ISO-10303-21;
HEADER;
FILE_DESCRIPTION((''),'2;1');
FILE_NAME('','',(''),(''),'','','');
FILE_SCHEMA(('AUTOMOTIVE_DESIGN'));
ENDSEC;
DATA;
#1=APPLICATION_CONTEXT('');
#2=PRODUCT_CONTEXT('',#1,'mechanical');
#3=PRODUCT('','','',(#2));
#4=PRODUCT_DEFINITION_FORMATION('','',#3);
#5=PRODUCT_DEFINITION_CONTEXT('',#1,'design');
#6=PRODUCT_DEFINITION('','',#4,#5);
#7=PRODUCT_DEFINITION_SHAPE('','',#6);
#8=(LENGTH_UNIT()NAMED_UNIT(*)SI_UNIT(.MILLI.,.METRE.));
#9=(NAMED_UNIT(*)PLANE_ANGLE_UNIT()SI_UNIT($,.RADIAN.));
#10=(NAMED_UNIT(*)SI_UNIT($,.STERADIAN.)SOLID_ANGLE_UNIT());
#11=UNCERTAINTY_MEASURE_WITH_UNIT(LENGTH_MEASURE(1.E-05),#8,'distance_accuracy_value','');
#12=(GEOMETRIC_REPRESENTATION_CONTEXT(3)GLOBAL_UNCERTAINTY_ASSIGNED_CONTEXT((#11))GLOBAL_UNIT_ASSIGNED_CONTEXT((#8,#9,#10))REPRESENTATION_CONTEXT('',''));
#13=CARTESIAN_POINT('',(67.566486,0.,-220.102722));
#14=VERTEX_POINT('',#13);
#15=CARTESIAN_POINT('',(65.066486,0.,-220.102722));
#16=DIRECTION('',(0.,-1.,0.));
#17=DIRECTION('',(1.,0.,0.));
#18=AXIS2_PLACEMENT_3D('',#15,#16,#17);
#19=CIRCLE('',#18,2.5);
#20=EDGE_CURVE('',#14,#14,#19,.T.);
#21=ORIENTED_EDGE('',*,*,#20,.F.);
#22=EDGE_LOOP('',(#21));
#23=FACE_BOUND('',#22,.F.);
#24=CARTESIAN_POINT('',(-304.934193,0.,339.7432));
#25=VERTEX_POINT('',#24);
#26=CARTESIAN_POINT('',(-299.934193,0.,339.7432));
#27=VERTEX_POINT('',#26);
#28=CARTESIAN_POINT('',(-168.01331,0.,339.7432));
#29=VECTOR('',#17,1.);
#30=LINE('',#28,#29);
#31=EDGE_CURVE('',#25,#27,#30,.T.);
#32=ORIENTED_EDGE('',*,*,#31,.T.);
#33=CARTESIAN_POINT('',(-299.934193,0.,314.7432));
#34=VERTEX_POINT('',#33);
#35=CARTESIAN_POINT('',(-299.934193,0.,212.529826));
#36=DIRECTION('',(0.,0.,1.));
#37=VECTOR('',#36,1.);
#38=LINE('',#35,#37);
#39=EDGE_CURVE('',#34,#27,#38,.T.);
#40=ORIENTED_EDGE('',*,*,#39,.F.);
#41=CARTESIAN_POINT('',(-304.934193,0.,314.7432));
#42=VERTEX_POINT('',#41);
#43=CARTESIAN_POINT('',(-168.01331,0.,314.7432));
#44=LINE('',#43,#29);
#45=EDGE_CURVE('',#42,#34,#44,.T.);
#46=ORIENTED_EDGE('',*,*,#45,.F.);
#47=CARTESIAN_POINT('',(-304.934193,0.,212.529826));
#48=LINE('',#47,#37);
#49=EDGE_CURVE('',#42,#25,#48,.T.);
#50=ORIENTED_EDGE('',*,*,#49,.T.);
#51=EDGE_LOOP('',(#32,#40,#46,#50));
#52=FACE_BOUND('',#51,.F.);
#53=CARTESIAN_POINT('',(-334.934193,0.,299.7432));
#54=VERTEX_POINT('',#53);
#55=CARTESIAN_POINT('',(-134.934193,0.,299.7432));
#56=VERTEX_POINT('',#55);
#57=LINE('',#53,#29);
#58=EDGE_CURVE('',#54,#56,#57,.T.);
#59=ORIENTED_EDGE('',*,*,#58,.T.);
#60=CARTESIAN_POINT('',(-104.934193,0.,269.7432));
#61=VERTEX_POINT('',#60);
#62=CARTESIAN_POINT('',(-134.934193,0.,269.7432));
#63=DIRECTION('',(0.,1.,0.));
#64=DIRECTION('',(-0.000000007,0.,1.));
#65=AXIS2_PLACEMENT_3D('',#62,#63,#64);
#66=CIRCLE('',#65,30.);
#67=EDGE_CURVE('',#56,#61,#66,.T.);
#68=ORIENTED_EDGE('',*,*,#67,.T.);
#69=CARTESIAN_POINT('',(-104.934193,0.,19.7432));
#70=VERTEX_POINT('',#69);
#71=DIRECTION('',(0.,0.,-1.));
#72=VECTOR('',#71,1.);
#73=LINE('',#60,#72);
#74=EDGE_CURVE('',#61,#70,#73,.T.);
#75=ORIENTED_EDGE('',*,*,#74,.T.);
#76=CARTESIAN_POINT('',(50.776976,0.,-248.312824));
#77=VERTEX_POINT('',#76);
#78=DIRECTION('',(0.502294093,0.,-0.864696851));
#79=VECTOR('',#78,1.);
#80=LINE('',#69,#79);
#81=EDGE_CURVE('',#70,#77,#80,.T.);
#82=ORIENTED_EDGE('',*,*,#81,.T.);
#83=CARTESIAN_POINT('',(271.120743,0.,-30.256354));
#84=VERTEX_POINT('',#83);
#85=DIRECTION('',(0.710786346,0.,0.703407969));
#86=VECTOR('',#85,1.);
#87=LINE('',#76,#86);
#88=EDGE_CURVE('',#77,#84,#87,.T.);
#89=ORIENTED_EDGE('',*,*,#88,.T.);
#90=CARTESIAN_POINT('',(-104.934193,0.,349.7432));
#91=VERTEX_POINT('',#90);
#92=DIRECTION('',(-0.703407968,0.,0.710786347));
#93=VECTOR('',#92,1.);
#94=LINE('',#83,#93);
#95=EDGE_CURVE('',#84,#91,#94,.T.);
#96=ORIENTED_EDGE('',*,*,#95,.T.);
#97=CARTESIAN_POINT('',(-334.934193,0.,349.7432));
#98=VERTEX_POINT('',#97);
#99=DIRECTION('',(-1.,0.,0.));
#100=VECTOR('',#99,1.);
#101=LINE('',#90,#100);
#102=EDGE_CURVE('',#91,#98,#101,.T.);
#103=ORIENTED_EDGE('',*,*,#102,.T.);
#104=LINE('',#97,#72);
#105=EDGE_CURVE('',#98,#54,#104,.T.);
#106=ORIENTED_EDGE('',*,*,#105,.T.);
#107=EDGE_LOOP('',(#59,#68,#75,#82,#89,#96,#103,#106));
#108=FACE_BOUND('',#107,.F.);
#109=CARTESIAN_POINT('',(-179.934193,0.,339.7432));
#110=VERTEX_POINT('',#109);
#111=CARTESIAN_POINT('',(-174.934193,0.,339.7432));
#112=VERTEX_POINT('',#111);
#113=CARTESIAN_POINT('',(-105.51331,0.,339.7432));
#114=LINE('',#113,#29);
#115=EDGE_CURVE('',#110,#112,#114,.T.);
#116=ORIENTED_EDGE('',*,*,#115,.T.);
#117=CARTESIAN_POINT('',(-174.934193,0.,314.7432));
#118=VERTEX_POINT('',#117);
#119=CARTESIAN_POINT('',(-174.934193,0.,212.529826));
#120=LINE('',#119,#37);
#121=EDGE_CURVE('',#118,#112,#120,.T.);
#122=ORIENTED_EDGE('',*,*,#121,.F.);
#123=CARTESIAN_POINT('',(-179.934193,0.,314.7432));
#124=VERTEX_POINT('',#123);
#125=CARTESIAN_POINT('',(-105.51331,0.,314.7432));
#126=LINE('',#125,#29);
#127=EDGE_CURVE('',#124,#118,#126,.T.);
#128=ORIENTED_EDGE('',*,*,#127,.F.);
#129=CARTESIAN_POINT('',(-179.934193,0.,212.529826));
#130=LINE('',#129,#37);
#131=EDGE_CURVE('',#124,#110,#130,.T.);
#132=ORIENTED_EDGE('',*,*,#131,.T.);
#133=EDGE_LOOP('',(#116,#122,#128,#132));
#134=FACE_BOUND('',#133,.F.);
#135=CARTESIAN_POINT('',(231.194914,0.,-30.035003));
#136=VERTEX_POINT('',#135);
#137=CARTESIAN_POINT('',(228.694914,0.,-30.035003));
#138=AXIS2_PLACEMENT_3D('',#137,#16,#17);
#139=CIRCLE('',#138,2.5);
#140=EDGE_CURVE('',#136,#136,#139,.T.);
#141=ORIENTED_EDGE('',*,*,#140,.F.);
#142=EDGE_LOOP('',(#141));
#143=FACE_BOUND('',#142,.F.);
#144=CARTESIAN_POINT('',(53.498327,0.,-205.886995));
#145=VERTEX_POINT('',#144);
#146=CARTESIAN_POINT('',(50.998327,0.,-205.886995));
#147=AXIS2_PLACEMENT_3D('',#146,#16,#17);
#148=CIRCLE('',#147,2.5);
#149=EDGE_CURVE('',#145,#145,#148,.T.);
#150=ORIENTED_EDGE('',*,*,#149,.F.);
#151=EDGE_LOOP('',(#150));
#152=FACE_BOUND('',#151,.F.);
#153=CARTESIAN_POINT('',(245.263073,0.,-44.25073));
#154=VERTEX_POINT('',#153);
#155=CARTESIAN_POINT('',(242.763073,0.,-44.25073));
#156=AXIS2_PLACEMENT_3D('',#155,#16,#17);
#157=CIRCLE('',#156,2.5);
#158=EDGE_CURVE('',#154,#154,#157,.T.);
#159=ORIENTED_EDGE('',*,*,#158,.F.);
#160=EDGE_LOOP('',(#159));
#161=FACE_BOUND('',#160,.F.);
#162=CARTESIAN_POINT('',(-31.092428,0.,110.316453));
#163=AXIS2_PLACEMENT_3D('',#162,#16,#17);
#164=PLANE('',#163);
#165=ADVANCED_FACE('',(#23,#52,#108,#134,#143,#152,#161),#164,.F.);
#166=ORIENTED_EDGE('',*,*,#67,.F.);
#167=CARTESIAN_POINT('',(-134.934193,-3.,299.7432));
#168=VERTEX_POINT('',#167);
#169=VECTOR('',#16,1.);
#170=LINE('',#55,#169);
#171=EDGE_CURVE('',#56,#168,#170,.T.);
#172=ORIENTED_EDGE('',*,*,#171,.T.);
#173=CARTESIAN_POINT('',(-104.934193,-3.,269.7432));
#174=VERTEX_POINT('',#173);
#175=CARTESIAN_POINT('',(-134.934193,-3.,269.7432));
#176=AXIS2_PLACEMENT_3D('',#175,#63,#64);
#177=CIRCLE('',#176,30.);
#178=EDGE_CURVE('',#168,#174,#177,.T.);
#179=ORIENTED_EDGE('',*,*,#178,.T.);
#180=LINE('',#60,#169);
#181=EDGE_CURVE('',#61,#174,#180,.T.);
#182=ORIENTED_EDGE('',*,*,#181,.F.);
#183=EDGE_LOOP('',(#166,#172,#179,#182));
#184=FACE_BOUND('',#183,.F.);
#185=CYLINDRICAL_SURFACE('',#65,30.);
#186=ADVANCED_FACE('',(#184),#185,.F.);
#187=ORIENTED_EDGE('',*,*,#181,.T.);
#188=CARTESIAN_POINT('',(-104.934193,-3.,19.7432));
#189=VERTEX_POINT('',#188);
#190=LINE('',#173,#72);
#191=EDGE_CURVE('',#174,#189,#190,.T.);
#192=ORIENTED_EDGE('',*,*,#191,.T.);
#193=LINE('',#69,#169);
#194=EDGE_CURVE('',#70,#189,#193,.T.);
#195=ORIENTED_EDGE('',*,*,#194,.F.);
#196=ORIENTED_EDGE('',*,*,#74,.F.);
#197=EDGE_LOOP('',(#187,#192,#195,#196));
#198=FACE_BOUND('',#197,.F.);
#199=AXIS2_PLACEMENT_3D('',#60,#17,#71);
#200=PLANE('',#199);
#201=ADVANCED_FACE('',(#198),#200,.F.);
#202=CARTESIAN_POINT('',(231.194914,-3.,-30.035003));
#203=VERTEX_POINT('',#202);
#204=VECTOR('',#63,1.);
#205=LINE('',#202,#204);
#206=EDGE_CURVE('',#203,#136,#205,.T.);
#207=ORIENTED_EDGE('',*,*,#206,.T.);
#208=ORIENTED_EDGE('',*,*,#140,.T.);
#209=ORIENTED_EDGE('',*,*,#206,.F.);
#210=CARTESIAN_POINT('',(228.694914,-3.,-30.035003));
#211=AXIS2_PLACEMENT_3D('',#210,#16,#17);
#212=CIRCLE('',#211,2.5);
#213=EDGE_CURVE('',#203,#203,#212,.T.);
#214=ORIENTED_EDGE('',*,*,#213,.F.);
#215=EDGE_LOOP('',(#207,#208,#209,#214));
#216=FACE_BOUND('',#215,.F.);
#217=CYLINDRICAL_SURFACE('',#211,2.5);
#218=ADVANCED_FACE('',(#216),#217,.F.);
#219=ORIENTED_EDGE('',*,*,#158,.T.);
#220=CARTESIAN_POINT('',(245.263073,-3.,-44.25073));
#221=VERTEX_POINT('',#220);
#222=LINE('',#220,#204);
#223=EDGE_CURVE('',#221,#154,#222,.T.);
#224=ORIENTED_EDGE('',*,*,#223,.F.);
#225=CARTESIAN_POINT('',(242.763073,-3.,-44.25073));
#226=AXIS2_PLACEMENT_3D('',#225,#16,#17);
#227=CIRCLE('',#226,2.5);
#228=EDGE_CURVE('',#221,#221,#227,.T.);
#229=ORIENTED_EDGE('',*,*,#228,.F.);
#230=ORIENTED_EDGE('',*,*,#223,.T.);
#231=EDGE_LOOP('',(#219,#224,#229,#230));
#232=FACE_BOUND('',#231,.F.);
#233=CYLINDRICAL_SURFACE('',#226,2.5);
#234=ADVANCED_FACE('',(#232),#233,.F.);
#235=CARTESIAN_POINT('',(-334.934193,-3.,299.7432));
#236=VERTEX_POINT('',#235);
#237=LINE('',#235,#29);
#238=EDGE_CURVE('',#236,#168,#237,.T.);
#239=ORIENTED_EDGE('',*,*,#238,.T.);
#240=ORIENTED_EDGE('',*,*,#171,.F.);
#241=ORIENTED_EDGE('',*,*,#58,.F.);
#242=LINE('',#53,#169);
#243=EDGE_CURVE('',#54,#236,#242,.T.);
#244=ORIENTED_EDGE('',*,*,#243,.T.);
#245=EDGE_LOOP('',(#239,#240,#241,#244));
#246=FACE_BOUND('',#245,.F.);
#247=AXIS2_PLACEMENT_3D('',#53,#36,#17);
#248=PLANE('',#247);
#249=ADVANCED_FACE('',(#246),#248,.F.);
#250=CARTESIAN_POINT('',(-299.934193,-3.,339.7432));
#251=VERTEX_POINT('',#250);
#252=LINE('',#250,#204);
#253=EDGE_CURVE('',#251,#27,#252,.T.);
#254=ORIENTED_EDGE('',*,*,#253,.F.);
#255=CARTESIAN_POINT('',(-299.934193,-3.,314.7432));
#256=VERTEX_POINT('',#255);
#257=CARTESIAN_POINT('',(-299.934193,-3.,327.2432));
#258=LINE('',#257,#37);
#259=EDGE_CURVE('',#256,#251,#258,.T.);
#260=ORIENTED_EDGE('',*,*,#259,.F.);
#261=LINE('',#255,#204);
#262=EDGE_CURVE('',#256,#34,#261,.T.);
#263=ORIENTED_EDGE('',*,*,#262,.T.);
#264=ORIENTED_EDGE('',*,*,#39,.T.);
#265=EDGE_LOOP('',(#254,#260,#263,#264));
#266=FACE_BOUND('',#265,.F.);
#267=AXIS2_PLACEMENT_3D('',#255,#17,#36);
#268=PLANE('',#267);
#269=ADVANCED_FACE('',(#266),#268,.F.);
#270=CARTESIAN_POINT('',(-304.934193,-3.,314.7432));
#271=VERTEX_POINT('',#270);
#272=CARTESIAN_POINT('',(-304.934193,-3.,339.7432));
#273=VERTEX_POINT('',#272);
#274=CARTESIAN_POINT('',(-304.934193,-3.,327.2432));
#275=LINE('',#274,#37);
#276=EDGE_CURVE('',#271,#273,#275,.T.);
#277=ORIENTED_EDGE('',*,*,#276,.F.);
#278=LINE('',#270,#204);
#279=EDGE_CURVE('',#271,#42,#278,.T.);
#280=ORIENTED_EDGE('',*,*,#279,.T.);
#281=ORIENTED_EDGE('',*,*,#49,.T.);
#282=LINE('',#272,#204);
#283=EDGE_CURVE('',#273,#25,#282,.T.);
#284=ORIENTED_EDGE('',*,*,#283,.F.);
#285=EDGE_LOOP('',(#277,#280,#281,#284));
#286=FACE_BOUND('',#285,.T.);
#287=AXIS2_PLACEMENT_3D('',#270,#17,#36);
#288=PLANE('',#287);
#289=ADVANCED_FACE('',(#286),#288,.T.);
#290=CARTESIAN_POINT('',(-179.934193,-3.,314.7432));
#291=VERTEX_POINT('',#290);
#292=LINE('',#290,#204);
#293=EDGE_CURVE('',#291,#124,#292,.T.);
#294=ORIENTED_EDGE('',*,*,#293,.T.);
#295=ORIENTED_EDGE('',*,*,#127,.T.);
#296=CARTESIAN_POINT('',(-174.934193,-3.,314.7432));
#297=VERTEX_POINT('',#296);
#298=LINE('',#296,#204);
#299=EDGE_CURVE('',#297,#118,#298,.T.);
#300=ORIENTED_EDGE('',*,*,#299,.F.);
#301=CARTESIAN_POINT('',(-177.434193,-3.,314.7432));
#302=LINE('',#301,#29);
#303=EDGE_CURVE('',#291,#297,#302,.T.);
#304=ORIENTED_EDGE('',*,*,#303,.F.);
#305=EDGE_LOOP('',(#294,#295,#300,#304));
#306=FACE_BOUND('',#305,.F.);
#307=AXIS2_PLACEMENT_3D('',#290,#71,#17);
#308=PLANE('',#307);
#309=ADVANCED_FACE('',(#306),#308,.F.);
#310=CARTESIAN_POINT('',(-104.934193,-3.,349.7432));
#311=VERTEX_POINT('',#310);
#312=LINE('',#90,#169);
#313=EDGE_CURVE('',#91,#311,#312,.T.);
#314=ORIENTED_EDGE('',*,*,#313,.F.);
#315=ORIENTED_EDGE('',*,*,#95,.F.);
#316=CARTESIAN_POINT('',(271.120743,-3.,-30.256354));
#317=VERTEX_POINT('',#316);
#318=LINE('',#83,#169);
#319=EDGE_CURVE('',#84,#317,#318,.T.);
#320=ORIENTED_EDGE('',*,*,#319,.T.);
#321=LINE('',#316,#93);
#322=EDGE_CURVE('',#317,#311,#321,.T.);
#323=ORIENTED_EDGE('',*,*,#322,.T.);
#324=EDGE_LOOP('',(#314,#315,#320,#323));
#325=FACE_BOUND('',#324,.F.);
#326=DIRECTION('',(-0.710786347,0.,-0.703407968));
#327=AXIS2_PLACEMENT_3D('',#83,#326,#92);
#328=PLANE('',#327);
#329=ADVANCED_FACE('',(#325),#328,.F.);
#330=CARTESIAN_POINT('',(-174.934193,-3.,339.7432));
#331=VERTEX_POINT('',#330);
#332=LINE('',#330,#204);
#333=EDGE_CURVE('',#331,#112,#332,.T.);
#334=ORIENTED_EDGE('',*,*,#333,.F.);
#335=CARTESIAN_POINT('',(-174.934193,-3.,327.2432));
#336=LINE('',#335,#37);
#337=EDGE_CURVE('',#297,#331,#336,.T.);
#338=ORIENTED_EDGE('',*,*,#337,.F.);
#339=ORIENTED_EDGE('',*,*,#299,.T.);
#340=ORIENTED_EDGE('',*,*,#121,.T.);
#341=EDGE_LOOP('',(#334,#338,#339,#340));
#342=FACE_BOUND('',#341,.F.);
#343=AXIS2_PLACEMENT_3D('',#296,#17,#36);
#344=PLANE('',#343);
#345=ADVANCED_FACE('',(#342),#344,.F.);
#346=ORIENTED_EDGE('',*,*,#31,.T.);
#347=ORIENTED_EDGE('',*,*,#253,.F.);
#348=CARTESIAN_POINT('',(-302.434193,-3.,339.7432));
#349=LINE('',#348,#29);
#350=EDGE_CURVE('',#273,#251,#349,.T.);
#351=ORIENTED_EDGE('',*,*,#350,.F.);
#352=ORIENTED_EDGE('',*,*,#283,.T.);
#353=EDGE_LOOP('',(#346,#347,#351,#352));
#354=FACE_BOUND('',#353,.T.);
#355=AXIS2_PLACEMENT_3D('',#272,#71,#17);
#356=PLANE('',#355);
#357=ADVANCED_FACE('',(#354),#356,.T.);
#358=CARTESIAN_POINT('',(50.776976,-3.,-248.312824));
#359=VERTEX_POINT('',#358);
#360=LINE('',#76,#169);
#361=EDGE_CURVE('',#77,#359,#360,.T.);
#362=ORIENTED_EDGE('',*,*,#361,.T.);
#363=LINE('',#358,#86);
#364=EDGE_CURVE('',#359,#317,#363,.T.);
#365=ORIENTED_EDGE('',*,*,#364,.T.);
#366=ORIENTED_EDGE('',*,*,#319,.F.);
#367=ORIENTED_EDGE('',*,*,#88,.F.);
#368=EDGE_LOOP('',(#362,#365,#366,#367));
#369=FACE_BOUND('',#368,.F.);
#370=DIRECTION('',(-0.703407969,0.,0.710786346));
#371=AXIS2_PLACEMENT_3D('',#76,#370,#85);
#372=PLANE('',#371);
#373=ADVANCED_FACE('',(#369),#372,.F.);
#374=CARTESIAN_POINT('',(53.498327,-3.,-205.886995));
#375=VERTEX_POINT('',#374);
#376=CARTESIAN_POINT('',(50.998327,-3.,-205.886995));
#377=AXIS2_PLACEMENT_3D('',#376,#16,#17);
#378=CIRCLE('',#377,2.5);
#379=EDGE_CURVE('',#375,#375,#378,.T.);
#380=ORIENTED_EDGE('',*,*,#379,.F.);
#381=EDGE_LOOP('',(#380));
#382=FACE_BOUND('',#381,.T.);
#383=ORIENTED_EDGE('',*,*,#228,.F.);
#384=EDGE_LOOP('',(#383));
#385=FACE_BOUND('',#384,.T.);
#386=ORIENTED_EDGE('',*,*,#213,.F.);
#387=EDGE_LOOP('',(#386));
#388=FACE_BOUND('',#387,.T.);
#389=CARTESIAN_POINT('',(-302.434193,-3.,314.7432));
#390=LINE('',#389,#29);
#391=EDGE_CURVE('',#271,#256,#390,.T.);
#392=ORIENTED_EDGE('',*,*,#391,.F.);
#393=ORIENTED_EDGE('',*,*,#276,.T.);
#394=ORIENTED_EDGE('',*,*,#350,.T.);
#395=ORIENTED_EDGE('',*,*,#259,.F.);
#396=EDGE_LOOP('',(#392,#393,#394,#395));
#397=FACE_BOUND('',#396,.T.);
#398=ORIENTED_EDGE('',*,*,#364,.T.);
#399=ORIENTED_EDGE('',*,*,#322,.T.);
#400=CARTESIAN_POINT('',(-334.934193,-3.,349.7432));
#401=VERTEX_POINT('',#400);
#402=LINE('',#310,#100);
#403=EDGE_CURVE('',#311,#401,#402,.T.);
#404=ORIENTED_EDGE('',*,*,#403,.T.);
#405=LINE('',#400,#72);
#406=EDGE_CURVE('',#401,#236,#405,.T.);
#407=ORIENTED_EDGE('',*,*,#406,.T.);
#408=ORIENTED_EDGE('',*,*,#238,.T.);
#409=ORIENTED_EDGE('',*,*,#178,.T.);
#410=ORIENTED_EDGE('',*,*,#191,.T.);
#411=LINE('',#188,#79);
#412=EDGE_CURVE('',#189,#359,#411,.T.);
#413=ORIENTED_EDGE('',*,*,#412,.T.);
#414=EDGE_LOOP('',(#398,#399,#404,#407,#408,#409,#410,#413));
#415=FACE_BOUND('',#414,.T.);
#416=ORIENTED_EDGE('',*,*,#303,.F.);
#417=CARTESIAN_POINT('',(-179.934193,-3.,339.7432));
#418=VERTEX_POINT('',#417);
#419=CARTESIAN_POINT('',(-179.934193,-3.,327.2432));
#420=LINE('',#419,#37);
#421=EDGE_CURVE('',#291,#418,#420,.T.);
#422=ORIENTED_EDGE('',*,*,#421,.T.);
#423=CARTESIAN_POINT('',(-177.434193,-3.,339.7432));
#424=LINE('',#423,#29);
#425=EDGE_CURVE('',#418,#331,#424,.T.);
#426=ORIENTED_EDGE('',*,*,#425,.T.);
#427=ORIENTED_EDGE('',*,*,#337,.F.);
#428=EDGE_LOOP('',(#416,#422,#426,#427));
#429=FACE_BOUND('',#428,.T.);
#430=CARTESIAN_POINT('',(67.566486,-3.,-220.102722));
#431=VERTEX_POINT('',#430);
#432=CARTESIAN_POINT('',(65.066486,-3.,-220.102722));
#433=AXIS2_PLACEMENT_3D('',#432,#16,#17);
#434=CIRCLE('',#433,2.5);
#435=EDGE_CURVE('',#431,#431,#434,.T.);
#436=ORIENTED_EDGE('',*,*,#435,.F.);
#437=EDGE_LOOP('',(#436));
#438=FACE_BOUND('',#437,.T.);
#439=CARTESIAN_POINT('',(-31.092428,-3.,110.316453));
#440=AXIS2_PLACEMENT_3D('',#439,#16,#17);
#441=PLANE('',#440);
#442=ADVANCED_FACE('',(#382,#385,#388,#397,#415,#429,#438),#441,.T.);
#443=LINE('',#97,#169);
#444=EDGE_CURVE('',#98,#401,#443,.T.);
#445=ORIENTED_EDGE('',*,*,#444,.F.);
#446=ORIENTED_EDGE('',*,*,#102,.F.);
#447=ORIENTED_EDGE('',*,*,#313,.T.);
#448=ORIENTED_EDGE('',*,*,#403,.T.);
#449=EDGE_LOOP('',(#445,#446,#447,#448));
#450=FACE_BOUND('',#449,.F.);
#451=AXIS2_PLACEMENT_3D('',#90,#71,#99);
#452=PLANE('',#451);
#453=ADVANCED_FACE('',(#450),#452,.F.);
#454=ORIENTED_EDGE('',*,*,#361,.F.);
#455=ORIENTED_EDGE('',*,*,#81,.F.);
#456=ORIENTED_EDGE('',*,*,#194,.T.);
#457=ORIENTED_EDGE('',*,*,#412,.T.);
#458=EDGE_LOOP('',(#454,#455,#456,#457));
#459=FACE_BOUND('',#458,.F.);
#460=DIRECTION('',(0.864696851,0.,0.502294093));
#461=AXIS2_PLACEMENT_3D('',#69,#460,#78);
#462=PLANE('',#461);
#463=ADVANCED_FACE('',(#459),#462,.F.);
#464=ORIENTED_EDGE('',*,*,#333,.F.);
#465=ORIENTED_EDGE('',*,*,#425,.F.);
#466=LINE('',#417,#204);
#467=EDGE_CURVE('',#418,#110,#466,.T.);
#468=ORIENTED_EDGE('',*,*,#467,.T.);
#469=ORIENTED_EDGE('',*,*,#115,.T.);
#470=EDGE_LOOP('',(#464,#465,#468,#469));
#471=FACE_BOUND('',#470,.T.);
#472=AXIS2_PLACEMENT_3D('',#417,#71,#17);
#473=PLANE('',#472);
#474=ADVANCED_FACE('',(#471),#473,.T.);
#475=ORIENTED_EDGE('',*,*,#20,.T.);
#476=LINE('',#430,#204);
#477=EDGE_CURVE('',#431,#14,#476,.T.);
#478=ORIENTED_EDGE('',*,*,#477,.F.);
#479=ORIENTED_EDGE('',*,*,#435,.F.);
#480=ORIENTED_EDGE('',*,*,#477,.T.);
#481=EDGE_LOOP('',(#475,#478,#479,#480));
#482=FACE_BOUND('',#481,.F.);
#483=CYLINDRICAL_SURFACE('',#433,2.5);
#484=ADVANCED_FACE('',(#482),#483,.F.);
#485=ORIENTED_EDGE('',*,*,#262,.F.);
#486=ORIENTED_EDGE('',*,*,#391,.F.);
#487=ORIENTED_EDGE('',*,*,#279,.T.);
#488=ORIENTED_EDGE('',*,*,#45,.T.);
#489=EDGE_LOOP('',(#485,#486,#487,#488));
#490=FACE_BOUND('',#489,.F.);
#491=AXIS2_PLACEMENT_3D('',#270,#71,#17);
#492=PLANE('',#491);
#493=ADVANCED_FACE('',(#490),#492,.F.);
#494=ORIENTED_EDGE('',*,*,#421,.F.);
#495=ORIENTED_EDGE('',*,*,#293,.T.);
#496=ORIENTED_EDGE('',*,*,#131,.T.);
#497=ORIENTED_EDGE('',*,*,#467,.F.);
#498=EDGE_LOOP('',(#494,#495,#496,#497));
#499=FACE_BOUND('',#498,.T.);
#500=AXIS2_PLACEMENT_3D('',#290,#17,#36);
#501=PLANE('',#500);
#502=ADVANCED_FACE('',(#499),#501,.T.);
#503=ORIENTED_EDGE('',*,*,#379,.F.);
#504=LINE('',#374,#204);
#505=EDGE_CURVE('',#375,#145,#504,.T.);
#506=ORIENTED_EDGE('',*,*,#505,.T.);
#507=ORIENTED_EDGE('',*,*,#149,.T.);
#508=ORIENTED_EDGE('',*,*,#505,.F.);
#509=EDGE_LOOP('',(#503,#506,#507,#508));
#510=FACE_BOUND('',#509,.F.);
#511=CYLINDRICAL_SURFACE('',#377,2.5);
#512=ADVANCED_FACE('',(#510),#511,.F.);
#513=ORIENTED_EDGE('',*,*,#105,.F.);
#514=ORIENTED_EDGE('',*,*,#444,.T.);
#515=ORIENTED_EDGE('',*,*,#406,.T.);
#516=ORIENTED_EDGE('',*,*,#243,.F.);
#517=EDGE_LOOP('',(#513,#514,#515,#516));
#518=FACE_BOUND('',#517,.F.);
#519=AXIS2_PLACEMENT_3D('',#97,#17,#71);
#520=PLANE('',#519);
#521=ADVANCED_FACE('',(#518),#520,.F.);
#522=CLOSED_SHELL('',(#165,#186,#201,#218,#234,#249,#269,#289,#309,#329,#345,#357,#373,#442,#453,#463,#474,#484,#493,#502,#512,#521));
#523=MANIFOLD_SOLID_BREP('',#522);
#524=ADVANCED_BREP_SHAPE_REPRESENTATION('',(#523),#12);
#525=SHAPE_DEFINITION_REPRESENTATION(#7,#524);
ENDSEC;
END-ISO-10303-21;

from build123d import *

# Parameters (mm, degrees)
F1_DEPTH = 3
F2_W     = 5
F2_H     = 25
F3_DEPTH = 3.001
F4_R     = 2.5
F5_DEPTH = 3.001


with BuildPart() as f1:
    # F0 (on Front) → F1 (new body)
    with BuildSketch(Plane.XZ):
        with BuildLine():
            Line((-104.934193, 349.7432), (-334.934193, 349.7432))
            Line((-334.934193, 349.7432), (-334.934193, 299.7432))
            Line((-334.934193, 299.7432), (-134.934193, 299.7432))
            ThreePointArc((-134.934193, 299.7432), (-113.720989, 290.956403), (-104.934193, 269.7432))
            Line((-104.934193, 269.7432), (-104.934193, 19.7432))
            Line((-104.934193, 19.7432), (50.776976, -248.312824))
            Line((50.776976, -248.312824), (271.120743, -30.256354))
            Line((271.120743, -30.256354), (-104.934193, 349.7432))
        make_face()
    extrude(amount=F1_DEPTH)

    # F2 (on face) → F3 (cut, through all)
    with BuildSketch(Plane.XZ.offset(3)):
        with Locations((-302.434193, 327.2432)):
            Rectangle(F2_W, F2_H)
        with Locations((-177.434193, 327.2432)):
            Rectangle(F2_W, F2_H)
    extrude(amount=-F3_DEPTH, mode=Mode.SUBTRACT)

    # F4 (on face) → F5 (cut, through all)
    with BuildSketch(Plane.XZ.offset(3)):
        with Locations((228.694914, -30.035003)):
            Circle(F4_R)
        with Locations((242.763073, -44.25073)):
            Circle(F4_R)
        with Locations((50.998327, -205.886995)):
            Circle(F4_R)
        with Locations((65.066486, -220.102722)):
            Circle(F4_R)
    extrude(amount=-F5_DEPTH, mode=Mode.SUBTRACT)


solid = f1.part
